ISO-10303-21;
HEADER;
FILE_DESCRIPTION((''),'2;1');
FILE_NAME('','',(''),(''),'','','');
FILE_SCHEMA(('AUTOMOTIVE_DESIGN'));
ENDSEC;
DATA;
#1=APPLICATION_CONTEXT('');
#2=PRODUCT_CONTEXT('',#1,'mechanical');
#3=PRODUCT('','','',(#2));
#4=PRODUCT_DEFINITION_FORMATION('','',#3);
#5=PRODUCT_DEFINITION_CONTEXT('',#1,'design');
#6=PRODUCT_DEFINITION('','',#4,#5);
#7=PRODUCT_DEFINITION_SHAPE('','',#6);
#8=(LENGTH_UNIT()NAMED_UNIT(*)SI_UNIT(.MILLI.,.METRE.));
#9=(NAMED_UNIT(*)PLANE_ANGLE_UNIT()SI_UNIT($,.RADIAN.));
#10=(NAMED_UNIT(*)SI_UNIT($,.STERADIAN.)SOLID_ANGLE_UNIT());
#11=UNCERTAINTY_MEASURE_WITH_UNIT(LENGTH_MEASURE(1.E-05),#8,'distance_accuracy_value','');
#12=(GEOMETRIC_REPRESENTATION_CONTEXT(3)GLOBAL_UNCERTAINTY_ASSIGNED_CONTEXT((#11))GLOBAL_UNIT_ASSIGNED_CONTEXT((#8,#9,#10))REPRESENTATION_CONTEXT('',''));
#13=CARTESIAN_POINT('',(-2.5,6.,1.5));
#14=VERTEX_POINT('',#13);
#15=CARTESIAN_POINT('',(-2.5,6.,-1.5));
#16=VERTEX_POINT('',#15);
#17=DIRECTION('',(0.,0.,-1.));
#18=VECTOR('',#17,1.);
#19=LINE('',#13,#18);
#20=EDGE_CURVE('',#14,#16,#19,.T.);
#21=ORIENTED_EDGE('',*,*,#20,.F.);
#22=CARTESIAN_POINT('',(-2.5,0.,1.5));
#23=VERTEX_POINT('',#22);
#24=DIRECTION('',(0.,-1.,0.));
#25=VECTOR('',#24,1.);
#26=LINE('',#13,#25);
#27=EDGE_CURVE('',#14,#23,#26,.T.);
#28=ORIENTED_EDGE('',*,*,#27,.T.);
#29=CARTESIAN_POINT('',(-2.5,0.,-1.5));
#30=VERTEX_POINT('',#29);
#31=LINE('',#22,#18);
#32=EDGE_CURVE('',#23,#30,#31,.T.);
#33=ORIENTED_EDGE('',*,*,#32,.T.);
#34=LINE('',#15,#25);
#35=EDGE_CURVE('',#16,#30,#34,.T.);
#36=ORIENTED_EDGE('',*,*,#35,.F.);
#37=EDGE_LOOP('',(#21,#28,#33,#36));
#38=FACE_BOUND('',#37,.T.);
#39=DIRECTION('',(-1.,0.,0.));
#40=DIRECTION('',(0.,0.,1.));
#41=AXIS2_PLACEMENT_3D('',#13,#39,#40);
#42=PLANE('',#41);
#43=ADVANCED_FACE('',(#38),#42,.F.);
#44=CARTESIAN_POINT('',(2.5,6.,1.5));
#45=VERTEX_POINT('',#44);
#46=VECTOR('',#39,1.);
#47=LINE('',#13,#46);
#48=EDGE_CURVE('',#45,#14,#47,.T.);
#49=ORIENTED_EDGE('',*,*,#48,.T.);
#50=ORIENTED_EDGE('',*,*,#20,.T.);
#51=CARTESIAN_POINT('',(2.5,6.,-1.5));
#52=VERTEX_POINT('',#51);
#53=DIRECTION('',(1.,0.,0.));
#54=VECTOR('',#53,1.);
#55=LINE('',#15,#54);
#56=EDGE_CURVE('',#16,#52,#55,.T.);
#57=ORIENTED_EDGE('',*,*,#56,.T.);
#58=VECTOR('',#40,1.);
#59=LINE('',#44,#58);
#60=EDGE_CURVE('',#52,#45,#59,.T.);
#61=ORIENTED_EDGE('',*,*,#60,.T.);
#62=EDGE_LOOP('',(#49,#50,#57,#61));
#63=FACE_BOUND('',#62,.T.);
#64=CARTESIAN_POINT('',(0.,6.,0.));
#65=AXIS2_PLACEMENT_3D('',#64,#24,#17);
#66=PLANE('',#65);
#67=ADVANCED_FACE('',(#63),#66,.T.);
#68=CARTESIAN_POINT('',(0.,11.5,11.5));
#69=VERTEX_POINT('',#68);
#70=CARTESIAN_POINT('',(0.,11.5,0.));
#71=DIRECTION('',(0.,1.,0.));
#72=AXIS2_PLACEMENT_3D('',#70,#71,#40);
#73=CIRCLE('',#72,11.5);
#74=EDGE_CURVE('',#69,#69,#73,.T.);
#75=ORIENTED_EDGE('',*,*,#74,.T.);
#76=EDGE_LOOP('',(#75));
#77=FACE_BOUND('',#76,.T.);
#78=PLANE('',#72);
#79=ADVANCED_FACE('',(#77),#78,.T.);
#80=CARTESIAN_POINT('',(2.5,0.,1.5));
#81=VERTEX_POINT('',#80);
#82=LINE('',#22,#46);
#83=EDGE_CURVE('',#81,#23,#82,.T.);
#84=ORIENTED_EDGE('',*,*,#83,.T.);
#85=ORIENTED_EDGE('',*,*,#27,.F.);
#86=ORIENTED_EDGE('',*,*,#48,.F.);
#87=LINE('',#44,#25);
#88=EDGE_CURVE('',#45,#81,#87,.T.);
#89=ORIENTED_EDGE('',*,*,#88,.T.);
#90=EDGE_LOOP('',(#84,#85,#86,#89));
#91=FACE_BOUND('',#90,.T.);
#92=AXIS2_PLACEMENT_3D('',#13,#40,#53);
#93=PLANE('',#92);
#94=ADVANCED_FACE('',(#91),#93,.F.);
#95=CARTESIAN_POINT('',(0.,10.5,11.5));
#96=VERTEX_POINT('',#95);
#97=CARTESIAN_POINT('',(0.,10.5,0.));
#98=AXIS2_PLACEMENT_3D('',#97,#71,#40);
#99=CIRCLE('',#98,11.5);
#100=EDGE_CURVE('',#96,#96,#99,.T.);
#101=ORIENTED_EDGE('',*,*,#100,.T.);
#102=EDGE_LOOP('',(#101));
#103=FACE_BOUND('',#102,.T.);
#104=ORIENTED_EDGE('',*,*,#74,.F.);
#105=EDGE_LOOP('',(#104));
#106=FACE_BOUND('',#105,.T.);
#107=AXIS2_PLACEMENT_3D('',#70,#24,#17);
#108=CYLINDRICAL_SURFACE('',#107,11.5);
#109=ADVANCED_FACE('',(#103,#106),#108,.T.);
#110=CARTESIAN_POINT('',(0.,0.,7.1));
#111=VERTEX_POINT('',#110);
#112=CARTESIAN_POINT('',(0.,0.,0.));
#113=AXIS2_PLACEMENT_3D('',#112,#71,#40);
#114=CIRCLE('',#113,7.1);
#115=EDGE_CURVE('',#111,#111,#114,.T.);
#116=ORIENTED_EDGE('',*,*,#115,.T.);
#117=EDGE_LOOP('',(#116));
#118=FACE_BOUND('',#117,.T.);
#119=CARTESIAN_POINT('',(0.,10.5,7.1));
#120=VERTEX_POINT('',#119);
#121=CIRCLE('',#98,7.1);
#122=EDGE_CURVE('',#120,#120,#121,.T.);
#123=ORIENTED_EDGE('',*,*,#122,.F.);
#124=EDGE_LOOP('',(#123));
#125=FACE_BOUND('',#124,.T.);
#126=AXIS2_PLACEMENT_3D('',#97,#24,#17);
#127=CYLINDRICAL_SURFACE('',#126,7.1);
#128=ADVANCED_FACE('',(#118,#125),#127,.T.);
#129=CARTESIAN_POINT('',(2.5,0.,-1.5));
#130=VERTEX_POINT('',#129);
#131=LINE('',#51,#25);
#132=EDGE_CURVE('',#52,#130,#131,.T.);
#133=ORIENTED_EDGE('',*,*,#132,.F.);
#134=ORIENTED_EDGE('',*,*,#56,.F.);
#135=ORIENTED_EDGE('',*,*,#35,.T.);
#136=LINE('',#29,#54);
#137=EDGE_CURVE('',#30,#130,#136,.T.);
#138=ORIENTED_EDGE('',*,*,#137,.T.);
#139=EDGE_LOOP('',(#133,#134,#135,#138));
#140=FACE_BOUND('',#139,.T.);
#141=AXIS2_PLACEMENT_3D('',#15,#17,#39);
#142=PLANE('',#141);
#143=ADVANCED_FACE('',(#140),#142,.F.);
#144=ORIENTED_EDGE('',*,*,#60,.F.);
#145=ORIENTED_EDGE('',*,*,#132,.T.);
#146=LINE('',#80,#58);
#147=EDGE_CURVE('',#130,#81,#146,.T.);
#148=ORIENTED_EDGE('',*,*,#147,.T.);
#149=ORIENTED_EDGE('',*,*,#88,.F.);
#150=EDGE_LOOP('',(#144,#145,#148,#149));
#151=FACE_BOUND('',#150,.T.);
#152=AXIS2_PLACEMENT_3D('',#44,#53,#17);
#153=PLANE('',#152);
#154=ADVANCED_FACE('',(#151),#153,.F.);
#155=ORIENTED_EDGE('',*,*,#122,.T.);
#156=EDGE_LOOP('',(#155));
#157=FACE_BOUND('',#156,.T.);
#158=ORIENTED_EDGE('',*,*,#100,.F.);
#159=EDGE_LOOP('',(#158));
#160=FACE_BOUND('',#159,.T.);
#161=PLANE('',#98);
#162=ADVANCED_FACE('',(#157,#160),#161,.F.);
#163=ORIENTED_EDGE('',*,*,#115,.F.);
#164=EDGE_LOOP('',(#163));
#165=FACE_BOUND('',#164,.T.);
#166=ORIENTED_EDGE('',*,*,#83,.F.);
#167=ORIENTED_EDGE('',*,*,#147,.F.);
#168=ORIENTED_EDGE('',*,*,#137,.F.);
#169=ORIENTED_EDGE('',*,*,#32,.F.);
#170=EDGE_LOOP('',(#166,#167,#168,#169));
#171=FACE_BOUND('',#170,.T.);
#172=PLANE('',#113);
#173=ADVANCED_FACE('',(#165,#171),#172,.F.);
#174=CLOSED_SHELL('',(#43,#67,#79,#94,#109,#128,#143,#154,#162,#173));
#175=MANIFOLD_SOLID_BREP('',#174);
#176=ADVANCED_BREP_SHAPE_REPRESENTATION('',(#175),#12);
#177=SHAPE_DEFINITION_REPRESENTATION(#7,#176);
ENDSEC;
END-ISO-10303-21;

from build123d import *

# Parameters (mm, degrees)
SKETCH1_R           = 7.1
BOSS_EXTRUDE1_DEPTH = 10.5
SKETCH2_R           = 11.5
BOSS_EXTRUDE2_DEPTH = 1
SKETCH3_W           = 5
SKETCH3_H           = 3
CUT_EXTRUDE1_DEPTH  = 6


with BuildPart() as part:
    # Sketch1 → Boss-Extrude1 (new body)
    with BuildSketch(Plane(origin=(0, 0, 0), x_dir=(1, 0, 0), z_dir=(0, 1, 0))):
        Circle(SKETCH1_R)
    extrude(amount=BOSS_EXTRUDE1_DEPTH)

    # Sketch2 → Boss-Extrude2 (add)
    with BuildSketch(Plane(origin=(0, 10.5, 0), x_dir=(1, 0, 0), z_dir=(0, 1, 0))):
        Circle(SKETCH2_R)
    extrude(amount=BOSS_EXTRUDE2_DEPTH)

    # Sketch3 → Cut-Extrude1 (cut)
    with BuildSketch(Plane.XZ):
        Rectangle(SKETCH3_W, SKETCH3_H)
    extrude(amount=-CUT_EXTRUDE1_DEPTH, mode=Mode.SUBTRACT)


solid = part.part
